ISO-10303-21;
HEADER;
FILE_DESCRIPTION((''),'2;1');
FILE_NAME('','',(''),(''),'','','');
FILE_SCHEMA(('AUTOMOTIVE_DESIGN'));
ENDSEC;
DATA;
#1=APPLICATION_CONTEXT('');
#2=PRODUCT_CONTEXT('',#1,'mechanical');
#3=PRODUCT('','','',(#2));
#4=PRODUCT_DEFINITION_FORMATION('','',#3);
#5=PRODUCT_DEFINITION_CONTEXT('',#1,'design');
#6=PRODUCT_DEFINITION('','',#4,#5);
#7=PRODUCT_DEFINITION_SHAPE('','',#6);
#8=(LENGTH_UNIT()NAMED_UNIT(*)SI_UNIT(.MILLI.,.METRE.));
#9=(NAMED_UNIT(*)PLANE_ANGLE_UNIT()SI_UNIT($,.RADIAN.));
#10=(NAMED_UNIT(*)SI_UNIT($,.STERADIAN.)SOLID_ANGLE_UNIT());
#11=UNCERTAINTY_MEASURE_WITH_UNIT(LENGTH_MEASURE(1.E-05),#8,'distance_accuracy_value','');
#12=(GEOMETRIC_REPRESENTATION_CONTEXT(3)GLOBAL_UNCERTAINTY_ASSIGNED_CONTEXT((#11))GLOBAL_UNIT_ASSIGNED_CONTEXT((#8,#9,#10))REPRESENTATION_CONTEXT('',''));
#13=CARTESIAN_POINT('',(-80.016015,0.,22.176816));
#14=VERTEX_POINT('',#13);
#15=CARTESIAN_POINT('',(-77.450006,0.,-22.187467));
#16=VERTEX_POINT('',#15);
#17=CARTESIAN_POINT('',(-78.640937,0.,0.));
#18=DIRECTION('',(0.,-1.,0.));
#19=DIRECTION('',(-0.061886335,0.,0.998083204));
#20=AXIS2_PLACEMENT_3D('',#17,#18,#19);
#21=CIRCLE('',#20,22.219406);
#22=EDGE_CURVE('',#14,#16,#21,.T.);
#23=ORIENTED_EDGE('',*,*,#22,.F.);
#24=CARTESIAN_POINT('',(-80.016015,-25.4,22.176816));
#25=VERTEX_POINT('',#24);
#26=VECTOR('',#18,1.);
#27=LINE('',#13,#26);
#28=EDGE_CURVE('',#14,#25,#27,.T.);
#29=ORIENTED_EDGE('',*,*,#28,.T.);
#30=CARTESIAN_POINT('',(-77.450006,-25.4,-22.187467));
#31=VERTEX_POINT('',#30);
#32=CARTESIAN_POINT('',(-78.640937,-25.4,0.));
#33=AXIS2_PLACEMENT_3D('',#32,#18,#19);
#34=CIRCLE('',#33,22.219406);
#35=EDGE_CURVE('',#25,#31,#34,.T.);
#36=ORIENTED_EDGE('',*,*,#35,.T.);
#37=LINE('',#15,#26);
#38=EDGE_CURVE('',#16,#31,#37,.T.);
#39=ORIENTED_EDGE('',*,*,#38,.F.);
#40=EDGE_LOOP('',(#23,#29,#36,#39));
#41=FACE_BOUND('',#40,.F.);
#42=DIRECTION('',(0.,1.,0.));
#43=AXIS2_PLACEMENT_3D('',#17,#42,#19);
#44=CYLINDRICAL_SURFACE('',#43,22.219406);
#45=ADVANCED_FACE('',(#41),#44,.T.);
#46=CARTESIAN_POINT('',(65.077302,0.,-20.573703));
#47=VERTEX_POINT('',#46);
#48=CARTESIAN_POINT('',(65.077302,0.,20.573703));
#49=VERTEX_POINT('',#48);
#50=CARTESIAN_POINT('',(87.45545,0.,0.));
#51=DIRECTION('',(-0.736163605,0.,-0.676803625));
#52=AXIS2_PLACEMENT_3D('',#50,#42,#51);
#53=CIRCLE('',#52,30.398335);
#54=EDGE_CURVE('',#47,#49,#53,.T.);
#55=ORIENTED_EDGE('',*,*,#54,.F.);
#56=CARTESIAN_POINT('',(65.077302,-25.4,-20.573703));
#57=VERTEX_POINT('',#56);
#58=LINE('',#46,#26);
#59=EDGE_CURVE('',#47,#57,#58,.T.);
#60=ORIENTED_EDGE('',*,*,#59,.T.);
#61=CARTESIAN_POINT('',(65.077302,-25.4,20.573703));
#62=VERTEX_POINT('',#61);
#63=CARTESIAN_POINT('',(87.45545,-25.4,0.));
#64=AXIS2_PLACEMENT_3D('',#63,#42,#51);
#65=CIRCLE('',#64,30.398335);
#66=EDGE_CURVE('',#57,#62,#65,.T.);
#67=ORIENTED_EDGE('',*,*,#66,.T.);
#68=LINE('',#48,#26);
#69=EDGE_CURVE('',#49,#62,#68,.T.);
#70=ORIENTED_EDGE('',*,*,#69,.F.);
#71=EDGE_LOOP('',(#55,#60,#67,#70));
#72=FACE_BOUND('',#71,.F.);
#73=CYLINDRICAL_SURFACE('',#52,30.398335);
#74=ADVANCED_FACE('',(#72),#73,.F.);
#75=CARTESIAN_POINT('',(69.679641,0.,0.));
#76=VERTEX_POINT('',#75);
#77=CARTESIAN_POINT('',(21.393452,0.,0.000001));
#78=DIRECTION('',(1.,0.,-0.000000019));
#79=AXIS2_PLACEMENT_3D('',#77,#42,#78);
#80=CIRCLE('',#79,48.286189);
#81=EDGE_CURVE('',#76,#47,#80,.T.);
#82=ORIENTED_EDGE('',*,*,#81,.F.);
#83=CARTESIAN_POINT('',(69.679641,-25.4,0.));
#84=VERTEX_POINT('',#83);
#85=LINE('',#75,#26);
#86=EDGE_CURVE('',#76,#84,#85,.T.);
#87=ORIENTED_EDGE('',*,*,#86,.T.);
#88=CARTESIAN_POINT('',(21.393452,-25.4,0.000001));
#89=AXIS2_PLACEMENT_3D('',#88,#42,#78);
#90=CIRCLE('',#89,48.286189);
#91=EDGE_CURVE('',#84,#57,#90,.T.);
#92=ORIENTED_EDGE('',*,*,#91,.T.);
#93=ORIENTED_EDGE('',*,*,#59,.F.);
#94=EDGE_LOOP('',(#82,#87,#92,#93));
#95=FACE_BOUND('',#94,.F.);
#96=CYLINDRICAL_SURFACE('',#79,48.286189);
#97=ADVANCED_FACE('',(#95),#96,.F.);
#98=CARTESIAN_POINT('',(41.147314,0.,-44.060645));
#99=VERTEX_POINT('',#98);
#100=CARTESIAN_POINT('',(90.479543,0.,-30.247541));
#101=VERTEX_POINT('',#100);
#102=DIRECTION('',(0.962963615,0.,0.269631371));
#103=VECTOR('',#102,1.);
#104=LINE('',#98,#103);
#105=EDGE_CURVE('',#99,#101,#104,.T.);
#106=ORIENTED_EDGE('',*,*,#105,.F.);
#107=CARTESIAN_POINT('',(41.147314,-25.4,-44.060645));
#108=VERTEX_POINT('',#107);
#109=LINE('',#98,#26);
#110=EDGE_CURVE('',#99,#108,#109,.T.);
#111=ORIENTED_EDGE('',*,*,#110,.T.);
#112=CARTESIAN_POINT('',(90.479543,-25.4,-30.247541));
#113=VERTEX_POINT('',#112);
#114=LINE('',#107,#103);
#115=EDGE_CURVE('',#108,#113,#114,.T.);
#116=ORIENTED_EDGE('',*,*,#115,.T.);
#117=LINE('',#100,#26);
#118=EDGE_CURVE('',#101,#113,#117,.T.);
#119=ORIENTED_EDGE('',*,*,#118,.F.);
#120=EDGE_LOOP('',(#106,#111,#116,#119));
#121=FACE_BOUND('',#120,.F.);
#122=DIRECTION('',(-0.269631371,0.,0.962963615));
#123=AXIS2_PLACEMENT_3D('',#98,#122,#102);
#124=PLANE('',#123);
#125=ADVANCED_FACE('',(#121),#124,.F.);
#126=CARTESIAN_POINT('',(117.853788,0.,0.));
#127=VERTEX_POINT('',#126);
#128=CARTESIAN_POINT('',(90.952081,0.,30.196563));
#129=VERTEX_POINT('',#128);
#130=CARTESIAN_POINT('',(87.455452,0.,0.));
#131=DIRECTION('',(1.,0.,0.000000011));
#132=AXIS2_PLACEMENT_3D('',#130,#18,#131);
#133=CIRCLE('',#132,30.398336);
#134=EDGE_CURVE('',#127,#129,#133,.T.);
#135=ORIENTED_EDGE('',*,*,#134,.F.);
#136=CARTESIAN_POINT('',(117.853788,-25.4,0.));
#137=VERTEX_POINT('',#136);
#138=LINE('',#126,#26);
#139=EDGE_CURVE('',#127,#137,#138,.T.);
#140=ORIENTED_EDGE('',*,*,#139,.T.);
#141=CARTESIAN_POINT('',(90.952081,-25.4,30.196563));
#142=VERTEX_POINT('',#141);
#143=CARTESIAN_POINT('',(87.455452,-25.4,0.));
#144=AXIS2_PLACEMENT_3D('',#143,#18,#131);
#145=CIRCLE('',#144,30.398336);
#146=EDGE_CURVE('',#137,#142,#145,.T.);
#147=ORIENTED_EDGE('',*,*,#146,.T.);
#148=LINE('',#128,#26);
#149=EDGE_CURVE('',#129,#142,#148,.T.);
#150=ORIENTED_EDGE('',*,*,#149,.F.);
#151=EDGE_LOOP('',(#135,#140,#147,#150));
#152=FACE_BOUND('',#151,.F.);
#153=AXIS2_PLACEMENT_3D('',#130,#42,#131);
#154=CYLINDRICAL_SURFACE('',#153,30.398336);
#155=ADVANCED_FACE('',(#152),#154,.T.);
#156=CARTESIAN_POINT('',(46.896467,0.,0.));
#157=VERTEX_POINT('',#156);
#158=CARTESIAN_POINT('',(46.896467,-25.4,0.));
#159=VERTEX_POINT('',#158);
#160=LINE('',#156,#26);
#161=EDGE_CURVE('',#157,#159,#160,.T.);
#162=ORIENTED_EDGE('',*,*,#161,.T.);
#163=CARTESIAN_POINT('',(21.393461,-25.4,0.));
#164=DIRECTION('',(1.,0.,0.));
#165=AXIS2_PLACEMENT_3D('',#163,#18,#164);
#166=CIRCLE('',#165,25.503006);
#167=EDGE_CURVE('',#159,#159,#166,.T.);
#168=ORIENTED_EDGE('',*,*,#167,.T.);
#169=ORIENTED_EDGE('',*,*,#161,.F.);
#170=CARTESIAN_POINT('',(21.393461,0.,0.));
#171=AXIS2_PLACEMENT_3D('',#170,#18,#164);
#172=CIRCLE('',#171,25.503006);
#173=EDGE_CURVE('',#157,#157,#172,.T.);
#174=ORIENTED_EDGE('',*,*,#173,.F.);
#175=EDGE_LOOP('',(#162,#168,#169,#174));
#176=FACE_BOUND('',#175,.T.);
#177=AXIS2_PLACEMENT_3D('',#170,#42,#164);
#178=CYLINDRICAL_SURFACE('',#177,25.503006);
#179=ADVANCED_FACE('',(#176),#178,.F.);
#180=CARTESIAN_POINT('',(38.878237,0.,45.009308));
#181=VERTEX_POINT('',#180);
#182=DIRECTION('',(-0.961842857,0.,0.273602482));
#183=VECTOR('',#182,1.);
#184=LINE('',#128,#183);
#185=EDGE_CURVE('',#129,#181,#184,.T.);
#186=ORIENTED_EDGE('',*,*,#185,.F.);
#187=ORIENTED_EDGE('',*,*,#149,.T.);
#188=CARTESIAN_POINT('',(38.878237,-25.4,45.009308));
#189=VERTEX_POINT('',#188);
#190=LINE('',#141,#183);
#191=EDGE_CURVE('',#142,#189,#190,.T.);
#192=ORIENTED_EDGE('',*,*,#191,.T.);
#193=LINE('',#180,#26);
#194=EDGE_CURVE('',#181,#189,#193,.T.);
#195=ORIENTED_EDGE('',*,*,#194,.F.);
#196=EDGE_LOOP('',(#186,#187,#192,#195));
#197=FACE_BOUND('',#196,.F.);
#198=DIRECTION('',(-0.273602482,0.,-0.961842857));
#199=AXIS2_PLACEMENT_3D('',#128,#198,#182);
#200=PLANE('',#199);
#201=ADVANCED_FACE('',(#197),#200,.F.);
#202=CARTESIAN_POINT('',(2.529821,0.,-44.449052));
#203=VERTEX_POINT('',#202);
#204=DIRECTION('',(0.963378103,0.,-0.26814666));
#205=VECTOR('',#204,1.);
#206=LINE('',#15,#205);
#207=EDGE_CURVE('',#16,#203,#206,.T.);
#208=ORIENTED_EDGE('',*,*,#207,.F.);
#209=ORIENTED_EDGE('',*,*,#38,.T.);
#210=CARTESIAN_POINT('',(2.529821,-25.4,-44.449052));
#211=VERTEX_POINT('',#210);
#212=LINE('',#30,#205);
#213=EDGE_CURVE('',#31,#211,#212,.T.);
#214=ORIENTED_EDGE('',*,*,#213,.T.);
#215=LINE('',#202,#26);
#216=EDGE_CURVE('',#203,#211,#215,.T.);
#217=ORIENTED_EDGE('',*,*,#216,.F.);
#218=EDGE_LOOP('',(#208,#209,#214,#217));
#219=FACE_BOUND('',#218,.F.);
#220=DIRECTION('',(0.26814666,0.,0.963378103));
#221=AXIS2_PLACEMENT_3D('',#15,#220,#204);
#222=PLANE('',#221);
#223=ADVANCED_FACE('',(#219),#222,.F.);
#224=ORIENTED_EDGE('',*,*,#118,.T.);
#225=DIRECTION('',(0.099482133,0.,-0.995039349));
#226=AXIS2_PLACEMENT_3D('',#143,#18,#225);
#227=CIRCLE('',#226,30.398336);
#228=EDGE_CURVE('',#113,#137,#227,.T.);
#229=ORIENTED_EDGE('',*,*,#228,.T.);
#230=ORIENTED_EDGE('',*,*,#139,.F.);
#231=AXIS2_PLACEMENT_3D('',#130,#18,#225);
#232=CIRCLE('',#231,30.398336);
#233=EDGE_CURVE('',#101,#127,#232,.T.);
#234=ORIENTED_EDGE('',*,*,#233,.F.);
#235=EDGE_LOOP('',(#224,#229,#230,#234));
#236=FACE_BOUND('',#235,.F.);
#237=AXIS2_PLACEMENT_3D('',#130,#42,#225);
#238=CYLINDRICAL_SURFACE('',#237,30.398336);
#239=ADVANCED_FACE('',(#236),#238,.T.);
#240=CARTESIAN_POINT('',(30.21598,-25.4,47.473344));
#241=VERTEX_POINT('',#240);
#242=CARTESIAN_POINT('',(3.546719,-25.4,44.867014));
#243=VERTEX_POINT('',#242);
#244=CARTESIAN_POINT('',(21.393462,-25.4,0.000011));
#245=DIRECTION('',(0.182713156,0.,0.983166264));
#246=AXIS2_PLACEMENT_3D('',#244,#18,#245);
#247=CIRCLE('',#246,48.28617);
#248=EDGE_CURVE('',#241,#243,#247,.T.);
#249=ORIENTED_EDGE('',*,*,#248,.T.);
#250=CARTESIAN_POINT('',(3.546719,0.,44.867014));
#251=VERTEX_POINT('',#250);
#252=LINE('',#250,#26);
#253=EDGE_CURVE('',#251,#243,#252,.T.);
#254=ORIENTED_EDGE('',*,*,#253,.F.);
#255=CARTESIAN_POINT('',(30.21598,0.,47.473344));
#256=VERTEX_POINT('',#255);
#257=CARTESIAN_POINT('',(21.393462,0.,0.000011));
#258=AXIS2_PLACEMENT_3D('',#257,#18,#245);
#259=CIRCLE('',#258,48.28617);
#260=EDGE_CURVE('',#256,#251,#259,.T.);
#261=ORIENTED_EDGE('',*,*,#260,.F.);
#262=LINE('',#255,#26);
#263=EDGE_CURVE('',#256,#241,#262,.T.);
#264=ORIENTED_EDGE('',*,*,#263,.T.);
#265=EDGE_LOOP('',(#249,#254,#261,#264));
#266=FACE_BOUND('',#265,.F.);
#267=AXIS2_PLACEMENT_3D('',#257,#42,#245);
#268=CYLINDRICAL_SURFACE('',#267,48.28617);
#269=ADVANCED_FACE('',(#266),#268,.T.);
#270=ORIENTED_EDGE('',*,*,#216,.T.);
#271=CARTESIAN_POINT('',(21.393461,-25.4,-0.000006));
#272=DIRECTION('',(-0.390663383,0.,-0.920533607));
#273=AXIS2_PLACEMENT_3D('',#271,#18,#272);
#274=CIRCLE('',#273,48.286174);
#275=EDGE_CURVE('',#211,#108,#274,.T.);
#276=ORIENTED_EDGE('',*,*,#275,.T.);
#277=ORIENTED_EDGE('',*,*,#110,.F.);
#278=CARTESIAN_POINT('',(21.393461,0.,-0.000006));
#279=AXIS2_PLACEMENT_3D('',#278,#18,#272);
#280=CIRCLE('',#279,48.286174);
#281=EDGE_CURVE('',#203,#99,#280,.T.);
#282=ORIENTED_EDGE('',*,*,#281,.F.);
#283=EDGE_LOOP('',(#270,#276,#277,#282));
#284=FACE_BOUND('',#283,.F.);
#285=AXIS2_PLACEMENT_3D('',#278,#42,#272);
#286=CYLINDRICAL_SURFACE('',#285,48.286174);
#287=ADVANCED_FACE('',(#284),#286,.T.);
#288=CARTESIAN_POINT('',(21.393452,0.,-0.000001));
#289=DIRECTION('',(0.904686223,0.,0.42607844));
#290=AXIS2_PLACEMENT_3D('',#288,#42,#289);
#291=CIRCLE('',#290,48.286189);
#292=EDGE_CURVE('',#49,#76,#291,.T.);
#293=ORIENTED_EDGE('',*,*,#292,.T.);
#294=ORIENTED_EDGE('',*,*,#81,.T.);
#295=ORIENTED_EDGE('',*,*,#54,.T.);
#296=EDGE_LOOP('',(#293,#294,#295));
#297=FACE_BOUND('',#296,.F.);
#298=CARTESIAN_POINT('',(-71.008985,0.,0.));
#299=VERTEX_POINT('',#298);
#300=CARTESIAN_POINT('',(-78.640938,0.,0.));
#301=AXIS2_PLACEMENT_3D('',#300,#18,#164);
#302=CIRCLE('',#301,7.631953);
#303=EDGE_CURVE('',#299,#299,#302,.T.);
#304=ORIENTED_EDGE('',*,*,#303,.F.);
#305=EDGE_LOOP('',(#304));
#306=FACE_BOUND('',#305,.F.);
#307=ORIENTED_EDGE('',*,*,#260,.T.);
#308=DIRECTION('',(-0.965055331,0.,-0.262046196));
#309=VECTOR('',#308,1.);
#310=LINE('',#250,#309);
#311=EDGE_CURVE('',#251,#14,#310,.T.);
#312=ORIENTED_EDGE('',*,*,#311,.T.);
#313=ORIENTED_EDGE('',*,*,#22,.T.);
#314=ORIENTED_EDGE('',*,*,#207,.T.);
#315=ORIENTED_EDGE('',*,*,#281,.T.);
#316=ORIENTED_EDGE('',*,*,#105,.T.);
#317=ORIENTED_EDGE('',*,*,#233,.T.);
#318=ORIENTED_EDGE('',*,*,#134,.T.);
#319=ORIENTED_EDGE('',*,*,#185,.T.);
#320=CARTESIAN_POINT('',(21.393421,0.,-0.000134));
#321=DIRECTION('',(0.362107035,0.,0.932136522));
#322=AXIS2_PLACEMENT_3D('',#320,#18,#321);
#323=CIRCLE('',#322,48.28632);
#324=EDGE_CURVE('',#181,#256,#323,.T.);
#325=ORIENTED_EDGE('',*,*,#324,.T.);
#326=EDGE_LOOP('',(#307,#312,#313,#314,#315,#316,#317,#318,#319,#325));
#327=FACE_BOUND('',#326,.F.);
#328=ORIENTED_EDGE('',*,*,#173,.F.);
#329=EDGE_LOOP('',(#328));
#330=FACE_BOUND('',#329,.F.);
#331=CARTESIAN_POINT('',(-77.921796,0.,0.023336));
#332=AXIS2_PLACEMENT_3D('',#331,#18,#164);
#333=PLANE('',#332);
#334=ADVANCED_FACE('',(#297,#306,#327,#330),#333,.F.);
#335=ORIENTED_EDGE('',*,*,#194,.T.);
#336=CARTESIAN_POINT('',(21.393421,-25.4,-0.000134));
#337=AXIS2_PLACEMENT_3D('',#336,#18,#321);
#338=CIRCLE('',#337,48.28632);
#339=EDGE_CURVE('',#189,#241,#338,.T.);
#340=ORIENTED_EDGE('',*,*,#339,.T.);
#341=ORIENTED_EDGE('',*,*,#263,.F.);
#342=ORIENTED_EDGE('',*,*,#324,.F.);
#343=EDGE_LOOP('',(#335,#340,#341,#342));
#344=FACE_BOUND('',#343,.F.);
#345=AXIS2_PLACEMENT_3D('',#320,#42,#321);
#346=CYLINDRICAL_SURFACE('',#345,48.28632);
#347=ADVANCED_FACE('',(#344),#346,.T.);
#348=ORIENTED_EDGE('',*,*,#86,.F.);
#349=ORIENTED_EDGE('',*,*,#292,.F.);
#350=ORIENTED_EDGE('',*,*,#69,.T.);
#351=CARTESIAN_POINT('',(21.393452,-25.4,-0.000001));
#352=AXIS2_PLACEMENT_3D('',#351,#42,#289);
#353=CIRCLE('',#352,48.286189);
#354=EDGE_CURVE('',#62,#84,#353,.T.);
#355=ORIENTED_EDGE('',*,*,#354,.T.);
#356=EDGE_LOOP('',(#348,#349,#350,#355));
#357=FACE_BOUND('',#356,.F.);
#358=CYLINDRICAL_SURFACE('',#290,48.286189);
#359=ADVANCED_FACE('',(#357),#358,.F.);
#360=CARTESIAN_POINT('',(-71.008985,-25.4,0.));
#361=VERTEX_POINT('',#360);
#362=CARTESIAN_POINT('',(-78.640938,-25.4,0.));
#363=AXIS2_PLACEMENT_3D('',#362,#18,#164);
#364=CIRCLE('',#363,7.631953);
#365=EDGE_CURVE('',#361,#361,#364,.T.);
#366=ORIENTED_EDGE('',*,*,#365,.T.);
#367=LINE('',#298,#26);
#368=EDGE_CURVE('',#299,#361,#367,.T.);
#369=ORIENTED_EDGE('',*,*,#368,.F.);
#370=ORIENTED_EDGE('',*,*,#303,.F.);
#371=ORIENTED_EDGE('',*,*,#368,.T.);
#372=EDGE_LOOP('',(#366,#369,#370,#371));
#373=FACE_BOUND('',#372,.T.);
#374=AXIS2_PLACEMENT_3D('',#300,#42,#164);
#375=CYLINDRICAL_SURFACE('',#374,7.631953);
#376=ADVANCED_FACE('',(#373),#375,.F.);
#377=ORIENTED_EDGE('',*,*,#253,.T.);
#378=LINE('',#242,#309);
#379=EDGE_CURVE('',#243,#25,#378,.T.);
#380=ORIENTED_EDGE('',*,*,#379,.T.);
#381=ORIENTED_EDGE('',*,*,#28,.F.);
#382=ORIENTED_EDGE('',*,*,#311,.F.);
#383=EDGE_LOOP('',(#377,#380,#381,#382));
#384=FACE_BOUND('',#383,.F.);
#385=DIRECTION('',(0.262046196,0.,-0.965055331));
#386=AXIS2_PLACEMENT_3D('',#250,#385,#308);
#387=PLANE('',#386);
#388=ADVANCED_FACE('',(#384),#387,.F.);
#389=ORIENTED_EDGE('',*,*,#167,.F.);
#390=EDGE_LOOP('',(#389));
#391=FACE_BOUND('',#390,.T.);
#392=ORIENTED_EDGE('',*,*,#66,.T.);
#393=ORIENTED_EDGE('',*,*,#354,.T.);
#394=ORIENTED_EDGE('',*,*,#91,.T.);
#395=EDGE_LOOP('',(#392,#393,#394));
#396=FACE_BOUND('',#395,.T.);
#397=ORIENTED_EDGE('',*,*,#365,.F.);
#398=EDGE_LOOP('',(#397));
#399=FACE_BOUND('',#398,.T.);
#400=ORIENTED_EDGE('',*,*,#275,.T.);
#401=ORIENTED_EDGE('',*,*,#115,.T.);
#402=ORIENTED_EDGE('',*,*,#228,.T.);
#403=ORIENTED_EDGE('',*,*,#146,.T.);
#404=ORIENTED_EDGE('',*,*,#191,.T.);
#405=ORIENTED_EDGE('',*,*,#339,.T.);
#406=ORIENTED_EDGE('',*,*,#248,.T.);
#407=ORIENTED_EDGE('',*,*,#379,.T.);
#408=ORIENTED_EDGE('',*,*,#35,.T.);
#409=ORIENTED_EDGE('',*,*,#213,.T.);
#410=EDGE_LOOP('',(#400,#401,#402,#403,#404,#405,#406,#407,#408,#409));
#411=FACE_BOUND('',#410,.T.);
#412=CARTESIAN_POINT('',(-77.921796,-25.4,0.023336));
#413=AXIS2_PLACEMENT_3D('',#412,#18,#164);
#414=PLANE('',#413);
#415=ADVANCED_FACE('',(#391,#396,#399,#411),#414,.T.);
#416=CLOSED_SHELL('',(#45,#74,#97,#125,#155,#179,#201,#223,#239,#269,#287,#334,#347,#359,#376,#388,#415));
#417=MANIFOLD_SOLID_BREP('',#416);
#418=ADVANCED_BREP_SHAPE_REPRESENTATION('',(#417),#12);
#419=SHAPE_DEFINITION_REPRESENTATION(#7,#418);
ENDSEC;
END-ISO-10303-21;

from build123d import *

# Parameters (mm, degrees)
F0_R     = 7.631953
F0_R_2   = 25.503006
F1_DEPTH = 25.4


with BuildPart() as f1:
    # F0 (on Front) → F1 (new body)
    with BuildSketch(Plane.XZ):
        with BuildLine():
            ThreePointArc((-77.450006, -22.187467), (-62.513883, -15.284636), (-56.421532, 0))
            ThreePointArc((-56.421532, 0), (-63.423372, 16.190358), (-80.016015, 22.176816))
            ThreePointArc((-80.016015, 22.176816), (-100.82327, -1.283015), (-77.450006, -22.187467))
        make_face()
        with Locations((-78.640938, 0)):
            Circle(F0_R, mode=Mode.SUBTRACT)
        with BuildLine():
            ThreePointArc((-80.016015, 22.176816), (-63.423372, 16.190358), (-56.421532, 0))
            ThreePointArc((-56.421532, 0), (-62.513883, -15.284636), (-77.450006, -22.187467))
            Line((-77.450006, -22.187467), (2.529821, -44.449052))
            ThreePointArc((2.529821, -44.449052), (-26.88959, 0.549721), (3.546719, 44.867014))
            Line((3.546719, 44.867014), (-80.016015, 22.176816))
        make_face()
        with BuildLine():
            ThreePointArc((30.21598, 47.473344), (16.696931, 48.057235), (3.546719, 44.867014))
            ThreePointArc((3.546719, 44.867014), (-26.88959, 0.549721), (2.529821, -44.449052))
            ThreePointArc((2.529821, -44.449052), (21.879089, -48.283738), (41.147314, -44.060645))
            ThreePointArc((41.147314, -44.060645), (55.216447, -34.461004), (65.077302, -20.573703))
            ThreePointArc((65.077302, -20.573703), (57.057115, 0), (65.077302, 20.573703))
            ThreePointArc((65.077302, 20.573703), (54.32786, 35.311196), (38.878237, 45.009308))
            Line((38.878237, 45.009308), (30.21598, 47.473344))
        make_face()
        with Locations((21.393461, 0)):
            Circle(F0_R_2, mode=Mode.SUBTRACT)
        with BuildLine():
            ThreePointArc((38.878237, 45.009308), (34.60468, 46.443717), (30.21598, 47.473344))
            Line((30.21598, 47.473344), (38.878237, 45.009308))
        make_face()
        with BuildLine():
            ThreePointArc((65.077302, -20.573703), (55.216447, -34.461004), (41.147314, -44.060645))
            Line((41.147314, -44.060645), (90.479543, -30.247541))
            ThreePointArc((90.479543, -30.247541), (76.636918, -28.408065), (65.077302, -20.573703))
        make_face()
        with BuildLine():
            Line((90.952081, 30.196563), (38.878237, 45.009308))
            ThreePointArc((38.878237, 45.009308), (54.32786, 35.311196), (65.077302, 20.573703))
            ThreePointArc((65.077302, 20.573703), (76.859329, 28.491771), (90.952081, 30.196563))
        make_face()
        with BuildLine():
            ThreePointArc((69.679641, 0), (68.515011, -10.541096), (65.077302, -20.573703))
            ThreePointArc((65.077302, -20.573703), (76.636918, -28.408065), (90.479543, -30.247541))
            ThreePointArc((90.479543, -30.247541), (109.994154, -20.39769), (117.853788, 0))
            ThreePointArc((117.853788, 0), (110.152925, 20.220869), (90.952081, 30.196563))
            ThreePointArc((90.952081, 30.196563), (76.859329, 28.491771), (65.077302, 20.573703))
            ThreePointArc((65.077302, 20.573703), (68.515011, 10.541096), (69.679641, 0))
        make_face()
    extrude(amount=F1_DEPTH)


solid = f1.part
